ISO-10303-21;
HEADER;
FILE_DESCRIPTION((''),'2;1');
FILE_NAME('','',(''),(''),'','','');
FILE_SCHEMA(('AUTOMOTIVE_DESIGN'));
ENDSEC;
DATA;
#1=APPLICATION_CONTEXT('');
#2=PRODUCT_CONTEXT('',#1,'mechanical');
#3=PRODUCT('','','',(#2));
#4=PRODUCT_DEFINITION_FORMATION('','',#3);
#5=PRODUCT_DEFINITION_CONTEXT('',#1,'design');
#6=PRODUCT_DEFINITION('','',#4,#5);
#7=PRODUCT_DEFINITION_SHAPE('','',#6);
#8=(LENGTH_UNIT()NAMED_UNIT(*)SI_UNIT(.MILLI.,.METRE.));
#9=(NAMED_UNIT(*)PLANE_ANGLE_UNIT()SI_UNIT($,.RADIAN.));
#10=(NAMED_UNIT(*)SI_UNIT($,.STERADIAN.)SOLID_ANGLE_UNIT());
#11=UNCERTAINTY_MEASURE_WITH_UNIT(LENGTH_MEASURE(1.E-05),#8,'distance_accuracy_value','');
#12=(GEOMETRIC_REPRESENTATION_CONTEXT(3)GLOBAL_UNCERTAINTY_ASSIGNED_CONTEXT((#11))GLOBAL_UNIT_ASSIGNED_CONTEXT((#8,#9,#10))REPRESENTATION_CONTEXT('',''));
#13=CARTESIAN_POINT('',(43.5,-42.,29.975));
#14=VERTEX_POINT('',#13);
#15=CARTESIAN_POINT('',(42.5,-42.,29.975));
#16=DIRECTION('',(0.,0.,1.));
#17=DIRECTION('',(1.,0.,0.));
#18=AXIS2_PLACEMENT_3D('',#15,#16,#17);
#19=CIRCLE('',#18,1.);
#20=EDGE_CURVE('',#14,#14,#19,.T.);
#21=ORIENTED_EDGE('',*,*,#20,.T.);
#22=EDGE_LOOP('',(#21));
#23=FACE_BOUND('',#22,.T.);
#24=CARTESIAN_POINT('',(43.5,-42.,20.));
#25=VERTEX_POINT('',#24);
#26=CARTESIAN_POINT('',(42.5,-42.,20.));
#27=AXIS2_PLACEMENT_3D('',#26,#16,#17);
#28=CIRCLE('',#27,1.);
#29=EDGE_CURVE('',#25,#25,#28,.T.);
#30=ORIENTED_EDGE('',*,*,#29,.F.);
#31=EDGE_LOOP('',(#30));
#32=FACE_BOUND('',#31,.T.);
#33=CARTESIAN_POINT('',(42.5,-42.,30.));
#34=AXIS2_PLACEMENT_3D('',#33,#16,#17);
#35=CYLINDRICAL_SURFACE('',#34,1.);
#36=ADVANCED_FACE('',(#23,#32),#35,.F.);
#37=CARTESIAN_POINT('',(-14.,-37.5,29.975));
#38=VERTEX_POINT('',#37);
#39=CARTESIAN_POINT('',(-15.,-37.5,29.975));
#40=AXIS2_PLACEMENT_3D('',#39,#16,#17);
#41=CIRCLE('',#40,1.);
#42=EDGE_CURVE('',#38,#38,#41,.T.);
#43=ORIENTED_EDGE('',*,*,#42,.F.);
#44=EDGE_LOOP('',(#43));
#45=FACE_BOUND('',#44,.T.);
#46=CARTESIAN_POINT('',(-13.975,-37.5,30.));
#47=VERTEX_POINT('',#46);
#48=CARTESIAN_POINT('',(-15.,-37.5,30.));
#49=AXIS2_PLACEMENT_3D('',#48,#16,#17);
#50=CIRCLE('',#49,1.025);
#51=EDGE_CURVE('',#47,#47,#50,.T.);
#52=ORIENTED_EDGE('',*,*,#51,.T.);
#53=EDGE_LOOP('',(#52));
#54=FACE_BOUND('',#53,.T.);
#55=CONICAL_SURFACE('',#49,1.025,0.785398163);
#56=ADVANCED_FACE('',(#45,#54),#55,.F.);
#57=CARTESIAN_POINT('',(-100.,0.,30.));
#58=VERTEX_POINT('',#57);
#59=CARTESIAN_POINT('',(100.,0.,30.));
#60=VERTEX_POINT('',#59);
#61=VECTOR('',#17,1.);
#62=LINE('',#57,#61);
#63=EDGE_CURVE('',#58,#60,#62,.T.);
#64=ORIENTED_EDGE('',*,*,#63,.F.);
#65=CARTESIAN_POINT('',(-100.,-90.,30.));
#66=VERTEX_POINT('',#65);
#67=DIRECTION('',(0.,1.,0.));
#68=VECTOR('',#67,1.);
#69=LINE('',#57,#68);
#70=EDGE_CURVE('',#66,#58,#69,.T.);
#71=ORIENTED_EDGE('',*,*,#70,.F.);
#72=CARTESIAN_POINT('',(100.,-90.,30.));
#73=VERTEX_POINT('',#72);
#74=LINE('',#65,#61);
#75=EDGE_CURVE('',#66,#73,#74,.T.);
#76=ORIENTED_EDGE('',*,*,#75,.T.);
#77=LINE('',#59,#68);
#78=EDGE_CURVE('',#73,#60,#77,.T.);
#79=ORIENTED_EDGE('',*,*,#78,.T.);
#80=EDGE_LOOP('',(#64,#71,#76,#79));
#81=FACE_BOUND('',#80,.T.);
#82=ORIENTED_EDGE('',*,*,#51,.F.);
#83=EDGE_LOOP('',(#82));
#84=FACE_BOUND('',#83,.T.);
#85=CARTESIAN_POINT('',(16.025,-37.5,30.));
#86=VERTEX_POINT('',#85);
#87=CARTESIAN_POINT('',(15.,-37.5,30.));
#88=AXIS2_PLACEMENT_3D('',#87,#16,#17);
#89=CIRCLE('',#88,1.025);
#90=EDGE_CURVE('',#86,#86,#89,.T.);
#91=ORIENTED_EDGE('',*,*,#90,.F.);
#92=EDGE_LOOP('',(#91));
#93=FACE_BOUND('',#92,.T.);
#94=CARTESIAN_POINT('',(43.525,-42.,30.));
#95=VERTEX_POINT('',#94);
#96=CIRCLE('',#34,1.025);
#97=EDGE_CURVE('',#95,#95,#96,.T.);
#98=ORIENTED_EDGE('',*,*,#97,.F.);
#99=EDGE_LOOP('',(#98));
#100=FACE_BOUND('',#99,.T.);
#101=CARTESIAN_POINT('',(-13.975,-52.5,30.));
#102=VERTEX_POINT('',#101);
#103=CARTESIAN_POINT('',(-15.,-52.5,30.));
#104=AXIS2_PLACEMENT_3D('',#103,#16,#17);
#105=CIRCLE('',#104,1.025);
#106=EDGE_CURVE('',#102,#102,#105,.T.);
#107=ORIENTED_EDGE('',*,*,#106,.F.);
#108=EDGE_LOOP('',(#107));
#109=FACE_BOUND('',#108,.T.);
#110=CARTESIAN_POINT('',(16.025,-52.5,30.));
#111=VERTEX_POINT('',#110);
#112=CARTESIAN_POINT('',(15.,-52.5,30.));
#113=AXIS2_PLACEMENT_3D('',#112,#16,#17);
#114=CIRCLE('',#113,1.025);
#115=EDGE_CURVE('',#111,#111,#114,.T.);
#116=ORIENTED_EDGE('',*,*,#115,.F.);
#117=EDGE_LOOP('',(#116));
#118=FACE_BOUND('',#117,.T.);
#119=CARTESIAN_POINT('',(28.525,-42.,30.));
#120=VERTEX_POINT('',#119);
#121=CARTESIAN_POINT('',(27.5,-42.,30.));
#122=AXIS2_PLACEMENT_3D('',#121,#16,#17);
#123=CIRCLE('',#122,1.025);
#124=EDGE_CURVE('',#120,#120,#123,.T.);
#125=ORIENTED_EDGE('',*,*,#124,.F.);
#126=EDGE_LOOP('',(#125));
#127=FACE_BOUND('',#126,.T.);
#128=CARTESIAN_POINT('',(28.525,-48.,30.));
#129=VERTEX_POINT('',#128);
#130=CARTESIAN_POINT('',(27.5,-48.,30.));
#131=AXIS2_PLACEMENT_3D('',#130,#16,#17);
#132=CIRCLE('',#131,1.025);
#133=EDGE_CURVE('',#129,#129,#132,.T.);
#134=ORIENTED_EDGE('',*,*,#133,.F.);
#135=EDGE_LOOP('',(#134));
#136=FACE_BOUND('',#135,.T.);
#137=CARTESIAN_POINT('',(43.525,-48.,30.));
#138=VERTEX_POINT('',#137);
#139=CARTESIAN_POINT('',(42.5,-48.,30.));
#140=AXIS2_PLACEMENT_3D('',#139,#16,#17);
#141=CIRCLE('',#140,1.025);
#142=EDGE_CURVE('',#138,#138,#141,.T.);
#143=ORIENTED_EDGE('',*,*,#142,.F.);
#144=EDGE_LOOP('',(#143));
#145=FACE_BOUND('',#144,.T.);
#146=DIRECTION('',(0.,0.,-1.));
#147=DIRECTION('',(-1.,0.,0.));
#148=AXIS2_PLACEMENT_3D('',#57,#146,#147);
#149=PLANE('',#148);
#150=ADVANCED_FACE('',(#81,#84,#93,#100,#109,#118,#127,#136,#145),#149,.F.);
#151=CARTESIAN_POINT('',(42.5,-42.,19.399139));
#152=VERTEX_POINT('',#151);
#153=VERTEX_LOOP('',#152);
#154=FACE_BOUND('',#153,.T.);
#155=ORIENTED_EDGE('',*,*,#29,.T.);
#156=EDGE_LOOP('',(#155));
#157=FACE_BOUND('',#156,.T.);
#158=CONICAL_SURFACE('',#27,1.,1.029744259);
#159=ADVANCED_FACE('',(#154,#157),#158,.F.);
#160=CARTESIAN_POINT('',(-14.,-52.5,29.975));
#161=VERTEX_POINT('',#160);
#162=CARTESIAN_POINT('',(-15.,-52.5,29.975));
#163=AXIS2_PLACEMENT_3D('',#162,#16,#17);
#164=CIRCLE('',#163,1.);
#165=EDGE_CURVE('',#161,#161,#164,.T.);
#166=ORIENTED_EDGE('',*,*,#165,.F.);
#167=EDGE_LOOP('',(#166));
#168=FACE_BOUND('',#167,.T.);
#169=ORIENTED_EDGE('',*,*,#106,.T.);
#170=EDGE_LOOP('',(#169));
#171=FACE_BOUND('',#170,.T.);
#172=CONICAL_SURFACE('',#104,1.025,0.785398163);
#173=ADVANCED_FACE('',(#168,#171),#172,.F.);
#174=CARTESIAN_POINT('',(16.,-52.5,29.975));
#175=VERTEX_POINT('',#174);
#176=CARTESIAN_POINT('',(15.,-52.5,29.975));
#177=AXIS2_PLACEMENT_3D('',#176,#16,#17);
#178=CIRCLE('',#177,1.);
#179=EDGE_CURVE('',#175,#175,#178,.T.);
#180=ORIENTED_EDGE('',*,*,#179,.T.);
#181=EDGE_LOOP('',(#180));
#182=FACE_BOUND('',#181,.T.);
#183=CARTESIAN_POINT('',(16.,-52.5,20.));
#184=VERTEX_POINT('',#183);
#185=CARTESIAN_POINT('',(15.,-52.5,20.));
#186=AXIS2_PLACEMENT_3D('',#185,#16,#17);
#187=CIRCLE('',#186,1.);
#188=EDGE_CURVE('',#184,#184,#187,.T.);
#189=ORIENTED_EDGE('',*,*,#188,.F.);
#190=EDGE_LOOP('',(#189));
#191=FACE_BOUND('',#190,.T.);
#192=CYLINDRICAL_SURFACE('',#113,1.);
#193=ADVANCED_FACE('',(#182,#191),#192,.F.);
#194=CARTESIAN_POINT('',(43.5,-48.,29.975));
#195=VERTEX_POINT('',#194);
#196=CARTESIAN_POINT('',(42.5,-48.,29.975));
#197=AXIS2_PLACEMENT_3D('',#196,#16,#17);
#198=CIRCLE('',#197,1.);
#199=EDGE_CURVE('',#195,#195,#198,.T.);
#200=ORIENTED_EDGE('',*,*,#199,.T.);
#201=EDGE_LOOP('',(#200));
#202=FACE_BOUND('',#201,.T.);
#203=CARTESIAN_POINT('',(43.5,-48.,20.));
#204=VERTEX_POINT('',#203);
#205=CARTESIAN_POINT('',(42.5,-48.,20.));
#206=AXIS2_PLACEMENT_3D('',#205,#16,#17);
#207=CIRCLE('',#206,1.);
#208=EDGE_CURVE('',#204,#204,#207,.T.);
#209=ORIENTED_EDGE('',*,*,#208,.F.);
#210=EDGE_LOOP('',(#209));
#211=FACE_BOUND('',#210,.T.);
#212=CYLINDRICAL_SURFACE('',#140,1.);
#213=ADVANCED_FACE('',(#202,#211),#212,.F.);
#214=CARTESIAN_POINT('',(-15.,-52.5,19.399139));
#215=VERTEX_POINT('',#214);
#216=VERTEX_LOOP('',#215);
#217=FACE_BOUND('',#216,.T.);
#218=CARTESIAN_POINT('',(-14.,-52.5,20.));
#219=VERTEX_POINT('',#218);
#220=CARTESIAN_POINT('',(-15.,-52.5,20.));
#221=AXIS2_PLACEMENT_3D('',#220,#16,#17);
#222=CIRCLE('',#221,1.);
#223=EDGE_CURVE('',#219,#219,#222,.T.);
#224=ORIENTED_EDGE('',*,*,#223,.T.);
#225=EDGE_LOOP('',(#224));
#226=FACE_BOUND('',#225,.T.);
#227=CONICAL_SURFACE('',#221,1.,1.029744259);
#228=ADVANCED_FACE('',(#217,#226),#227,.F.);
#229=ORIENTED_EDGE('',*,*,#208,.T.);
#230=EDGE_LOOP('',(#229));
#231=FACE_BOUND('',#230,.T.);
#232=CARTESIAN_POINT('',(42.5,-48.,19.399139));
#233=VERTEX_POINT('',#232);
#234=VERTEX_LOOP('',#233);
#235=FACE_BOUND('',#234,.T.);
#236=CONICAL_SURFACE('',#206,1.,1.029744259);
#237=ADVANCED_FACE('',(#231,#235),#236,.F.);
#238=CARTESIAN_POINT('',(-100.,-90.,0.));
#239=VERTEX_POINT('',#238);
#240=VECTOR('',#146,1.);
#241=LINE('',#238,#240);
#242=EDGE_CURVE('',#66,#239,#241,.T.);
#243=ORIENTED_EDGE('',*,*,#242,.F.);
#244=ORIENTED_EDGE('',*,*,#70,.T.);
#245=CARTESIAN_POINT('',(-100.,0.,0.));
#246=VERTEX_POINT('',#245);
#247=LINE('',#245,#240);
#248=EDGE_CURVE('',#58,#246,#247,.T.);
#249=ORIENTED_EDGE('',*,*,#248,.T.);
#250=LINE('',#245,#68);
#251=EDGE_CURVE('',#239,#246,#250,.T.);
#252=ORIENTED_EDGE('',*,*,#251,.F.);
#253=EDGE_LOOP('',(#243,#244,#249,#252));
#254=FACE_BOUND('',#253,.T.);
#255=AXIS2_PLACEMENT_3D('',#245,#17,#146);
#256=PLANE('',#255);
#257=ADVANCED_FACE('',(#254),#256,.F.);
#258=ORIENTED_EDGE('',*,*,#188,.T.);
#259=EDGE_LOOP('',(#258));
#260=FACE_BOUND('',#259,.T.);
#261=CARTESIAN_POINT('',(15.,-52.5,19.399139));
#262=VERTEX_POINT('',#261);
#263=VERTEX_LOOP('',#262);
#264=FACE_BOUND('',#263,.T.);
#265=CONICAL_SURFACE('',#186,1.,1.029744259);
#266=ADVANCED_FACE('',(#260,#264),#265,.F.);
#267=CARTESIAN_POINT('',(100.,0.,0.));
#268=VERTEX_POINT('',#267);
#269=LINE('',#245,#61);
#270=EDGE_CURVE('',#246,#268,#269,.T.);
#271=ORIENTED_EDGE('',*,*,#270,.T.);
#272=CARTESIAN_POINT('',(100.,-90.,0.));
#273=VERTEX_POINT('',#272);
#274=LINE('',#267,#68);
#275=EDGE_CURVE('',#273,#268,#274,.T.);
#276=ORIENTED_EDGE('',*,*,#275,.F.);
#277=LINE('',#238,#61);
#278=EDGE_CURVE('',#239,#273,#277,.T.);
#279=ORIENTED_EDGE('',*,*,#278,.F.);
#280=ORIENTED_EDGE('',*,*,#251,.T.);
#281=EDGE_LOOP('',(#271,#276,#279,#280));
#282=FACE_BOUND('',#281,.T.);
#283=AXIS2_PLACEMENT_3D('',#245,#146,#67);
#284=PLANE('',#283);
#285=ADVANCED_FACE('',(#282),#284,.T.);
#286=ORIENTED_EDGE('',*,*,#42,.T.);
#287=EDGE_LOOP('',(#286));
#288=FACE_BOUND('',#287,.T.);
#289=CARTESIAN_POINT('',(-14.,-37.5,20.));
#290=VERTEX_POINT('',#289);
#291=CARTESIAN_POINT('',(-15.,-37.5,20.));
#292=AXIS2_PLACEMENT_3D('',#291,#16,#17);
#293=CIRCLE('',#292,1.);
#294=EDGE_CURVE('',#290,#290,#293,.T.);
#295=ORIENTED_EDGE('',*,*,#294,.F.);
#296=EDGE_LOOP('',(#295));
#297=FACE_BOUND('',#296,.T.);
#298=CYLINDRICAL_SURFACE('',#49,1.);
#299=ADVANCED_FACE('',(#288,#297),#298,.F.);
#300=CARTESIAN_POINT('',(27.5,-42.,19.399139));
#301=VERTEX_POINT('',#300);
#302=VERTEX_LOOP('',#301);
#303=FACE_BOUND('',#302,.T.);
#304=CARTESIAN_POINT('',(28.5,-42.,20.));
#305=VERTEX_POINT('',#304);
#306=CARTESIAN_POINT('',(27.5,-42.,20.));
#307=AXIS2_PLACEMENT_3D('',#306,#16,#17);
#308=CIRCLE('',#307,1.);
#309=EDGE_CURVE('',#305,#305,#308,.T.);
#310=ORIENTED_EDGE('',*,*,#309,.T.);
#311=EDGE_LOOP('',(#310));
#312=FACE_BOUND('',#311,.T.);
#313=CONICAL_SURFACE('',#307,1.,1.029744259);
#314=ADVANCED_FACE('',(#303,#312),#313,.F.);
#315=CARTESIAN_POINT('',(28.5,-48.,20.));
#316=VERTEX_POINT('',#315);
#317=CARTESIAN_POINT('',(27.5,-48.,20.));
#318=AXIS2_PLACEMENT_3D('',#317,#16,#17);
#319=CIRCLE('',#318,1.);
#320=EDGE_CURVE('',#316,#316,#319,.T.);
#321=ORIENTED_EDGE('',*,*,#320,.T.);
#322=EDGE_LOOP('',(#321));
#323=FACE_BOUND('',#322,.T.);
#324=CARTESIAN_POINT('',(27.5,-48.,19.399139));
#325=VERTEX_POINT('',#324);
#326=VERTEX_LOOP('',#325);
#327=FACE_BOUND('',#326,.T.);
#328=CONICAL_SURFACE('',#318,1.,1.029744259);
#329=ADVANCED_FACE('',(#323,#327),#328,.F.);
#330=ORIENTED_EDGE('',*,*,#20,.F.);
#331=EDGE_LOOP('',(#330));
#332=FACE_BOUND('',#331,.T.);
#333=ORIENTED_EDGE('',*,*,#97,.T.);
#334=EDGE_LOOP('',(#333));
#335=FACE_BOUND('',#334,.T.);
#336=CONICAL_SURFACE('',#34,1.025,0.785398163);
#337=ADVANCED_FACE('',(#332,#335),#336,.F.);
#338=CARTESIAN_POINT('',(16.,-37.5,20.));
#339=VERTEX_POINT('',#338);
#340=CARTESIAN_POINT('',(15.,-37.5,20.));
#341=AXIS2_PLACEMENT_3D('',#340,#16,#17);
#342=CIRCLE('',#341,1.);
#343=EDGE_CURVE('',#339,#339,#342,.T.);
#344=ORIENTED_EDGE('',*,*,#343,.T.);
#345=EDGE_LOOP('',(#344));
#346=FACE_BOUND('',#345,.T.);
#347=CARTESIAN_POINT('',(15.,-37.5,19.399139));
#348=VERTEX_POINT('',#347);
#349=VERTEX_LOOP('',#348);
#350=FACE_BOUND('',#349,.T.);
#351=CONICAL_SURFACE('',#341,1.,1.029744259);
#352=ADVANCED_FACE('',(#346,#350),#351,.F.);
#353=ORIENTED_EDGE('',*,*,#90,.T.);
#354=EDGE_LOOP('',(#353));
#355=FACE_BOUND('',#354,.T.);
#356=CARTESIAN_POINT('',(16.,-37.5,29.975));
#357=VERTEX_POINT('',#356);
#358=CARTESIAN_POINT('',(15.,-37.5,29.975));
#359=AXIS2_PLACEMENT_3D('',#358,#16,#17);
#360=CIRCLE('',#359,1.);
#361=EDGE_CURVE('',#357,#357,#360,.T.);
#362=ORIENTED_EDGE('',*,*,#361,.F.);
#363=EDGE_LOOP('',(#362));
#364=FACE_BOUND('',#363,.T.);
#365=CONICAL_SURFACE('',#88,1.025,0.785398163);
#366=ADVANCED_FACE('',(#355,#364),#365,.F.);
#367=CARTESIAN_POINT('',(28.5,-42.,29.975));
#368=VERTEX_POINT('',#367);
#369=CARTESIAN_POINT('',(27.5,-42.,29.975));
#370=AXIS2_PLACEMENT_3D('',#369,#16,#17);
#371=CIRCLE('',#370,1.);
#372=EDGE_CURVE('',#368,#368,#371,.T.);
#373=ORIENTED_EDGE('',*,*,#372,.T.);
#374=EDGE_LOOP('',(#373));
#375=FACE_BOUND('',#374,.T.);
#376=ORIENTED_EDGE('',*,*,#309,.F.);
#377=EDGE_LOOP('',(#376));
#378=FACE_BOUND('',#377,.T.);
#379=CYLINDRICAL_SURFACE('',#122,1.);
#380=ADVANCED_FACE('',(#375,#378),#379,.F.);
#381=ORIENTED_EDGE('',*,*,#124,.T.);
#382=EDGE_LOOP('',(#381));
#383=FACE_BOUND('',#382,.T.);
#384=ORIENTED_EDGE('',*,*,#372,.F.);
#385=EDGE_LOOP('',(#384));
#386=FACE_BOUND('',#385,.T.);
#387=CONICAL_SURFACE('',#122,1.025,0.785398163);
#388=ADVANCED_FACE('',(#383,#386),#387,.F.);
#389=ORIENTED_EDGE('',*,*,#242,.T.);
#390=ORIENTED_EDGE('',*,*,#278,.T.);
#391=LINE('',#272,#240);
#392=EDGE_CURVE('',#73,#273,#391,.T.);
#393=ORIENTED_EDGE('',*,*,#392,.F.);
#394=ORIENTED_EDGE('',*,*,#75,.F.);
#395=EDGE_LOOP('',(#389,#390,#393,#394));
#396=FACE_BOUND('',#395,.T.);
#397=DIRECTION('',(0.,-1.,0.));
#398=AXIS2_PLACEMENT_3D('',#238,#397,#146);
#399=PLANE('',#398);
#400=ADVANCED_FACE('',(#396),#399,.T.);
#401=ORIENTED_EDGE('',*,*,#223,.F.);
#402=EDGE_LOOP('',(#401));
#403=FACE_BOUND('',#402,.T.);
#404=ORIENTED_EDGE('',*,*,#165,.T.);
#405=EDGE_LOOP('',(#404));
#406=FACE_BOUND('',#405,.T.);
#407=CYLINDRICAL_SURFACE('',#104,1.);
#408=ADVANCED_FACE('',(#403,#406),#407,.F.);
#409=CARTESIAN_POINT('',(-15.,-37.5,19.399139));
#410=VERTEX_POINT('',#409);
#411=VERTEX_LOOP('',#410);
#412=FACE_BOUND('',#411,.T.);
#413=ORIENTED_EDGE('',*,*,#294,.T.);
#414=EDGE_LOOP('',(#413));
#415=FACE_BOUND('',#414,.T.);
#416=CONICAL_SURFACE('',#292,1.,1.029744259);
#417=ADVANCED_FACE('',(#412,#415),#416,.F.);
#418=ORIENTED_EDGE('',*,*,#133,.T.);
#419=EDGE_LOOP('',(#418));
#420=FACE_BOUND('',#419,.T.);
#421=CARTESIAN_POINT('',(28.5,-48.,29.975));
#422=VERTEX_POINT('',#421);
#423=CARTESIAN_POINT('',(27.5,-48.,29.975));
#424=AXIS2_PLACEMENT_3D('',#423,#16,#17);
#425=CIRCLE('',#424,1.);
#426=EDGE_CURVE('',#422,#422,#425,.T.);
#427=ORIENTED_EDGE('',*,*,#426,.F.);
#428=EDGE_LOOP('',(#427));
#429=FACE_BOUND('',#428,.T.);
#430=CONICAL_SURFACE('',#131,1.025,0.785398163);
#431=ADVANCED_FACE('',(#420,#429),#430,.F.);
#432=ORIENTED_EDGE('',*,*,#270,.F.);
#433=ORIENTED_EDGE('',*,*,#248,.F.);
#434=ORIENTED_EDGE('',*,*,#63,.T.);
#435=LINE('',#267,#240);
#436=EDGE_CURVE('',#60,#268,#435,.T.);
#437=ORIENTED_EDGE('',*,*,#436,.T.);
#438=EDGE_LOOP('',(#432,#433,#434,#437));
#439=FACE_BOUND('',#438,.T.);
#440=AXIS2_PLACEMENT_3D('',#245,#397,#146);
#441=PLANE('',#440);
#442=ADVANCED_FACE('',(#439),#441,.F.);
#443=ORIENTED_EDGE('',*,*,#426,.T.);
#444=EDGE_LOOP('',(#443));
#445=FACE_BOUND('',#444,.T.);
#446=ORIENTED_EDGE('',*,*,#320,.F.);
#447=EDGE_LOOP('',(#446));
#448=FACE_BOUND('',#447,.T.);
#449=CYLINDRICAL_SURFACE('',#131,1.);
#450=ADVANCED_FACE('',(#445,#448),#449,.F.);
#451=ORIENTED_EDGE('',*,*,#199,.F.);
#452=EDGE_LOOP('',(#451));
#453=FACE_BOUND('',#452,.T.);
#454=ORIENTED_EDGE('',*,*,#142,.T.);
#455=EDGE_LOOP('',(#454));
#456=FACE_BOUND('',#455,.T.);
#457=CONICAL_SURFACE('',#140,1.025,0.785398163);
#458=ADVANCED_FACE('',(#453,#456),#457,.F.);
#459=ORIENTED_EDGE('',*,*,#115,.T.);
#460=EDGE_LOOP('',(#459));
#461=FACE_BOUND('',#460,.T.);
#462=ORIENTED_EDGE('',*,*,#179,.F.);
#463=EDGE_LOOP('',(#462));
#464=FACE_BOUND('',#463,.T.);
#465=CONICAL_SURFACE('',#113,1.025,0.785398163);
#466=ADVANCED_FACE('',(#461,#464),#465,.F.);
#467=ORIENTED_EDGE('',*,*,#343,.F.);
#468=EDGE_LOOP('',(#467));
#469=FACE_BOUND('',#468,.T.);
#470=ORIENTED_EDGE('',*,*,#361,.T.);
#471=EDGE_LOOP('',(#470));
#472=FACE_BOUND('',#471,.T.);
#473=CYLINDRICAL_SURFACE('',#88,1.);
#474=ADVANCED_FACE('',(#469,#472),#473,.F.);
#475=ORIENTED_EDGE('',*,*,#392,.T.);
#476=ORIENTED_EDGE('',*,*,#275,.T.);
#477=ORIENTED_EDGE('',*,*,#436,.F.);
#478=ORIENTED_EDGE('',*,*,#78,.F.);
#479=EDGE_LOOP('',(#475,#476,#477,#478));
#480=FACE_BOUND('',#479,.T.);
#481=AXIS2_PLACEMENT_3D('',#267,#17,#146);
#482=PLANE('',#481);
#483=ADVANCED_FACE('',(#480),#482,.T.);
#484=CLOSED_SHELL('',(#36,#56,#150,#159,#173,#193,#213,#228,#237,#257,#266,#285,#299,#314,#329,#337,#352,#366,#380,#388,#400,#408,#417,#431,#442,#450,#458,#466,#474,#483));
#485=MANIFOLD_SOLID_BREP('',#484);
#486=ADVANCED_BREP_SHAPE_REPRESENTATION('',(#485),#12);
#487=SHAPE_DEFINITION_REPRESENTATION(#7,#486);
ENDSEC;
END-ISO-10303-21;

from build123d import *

# Parameters (mm, degrees)
BOSS_EXTRUDE2_DEPTH             = 100
BOSS_EXTRUDE2_DEPTH_BACK        = 100
SKETCH1_W                       = 90
SKETCH1_H                       = 30
F_2_0MM_DOWEL_HOLE1_D           = 2
F_2_0MM_DOWEL_HOLE1_DEPTH       = 10
F_2_0MM_DOWEL_HOLE1_CSINK_D     = 2.05
F_2_0MM_DOWEL_HOLE1_CSINK_ANGLE = 90
F_2_0MM_DOWEL_HOLE1_TIP         = 0.600860619
F_2_0MM_DOWEL_HOLE2_D           = 2
F_2_0MM_DOWEL_HOLE2_DEPTH       = 10
F_2_0MM_DOWEL_HOLE2_CSINK_D     = 2.05
F_2_0MM_DOWEL_HOLE2_CSINK_ANGLE = 90
F_2_0MM_DOWEL_HOLE2_TIP         = 0.600860619


with BuildPart() as part:
    # Sketch1 → Boss-Extrude2 (new, two sides: drawn at the far end of the back side and taken through both)
    with BuildSketch(Plane.YZ.offset(-BOSS_EXTRUDE2_DEPTH_BACK)):
        with Locations((-45, 15)):
            Rectangle(SKETCH1_W, SKETCH1_H)
    extrude(amount=BOSS_EXTRUDE2_DEPTH + BOSS_EXTRUDE2_DEPTH_BACK)

    # Ø2.0mm Dowel Hole1
    with Locations(Plane.XY.offset(30)):
        with Locations((15, -52.5), (-15, -37.5), (-15, -52.5), (15, -37.5)):
            CounterSinkHole(F_2_0MM_DOWEL_HOLE1_D / 2, F_2_0MM_DOWEL_HOLE1_CSINK_D / 2, depth=F_2_0MM_DOWEL_HOLE1_DEPTH, counter_sink_angle=F_2_0MM_DOWEL_HOLE1_CSINK_ANGLE)
            with Locations((0, 0, -(F_2_0MM_DOWEL_HOLE1_DEPTH + F_2_0MM_DOWEL_HOLE1_TIP / 2))):  # 118° drill point
                Cone(0, F_2_0MM_DOWEL_HOLE1_D / 2, F_2_0MM_DOWEL_HOLE1_TIP, mode=Mode.SUBTRACT)

    # Ø2.0mm Dowel Hole2
    with Locations(Plane.XY.offset(30)):
        with Locations((42.5, -42), (27.5, -42), (27.5, -48), (42.5, -48)):
            CounterSinkHole(F_2_0MM_DOWEL_HOLE2_D / 2, F_2_0MM_DOWEL_HOLE2_CSINK_D / 2, depth=F_2_0MM_DOWEL_HOLE2_DEPTH, counter_sink_angle=F_2_0MM_DOWEL_HOLE2_CSINK_ANGLE)
            with Locations((0, 0, -(F_2_0MM_DOWEL_HOLE2_DEPTH + F_2_0MM_DOWEL_HOLE2_TIP / 2))):  # 118° drill point
                Cone(0, F_2_0MM_DOWEL_HOLE2_D / 2, F_2_0MM_DOWEL_HOLE2_TIP, mode=Mode.SUBTRACT)


solid = part.part
